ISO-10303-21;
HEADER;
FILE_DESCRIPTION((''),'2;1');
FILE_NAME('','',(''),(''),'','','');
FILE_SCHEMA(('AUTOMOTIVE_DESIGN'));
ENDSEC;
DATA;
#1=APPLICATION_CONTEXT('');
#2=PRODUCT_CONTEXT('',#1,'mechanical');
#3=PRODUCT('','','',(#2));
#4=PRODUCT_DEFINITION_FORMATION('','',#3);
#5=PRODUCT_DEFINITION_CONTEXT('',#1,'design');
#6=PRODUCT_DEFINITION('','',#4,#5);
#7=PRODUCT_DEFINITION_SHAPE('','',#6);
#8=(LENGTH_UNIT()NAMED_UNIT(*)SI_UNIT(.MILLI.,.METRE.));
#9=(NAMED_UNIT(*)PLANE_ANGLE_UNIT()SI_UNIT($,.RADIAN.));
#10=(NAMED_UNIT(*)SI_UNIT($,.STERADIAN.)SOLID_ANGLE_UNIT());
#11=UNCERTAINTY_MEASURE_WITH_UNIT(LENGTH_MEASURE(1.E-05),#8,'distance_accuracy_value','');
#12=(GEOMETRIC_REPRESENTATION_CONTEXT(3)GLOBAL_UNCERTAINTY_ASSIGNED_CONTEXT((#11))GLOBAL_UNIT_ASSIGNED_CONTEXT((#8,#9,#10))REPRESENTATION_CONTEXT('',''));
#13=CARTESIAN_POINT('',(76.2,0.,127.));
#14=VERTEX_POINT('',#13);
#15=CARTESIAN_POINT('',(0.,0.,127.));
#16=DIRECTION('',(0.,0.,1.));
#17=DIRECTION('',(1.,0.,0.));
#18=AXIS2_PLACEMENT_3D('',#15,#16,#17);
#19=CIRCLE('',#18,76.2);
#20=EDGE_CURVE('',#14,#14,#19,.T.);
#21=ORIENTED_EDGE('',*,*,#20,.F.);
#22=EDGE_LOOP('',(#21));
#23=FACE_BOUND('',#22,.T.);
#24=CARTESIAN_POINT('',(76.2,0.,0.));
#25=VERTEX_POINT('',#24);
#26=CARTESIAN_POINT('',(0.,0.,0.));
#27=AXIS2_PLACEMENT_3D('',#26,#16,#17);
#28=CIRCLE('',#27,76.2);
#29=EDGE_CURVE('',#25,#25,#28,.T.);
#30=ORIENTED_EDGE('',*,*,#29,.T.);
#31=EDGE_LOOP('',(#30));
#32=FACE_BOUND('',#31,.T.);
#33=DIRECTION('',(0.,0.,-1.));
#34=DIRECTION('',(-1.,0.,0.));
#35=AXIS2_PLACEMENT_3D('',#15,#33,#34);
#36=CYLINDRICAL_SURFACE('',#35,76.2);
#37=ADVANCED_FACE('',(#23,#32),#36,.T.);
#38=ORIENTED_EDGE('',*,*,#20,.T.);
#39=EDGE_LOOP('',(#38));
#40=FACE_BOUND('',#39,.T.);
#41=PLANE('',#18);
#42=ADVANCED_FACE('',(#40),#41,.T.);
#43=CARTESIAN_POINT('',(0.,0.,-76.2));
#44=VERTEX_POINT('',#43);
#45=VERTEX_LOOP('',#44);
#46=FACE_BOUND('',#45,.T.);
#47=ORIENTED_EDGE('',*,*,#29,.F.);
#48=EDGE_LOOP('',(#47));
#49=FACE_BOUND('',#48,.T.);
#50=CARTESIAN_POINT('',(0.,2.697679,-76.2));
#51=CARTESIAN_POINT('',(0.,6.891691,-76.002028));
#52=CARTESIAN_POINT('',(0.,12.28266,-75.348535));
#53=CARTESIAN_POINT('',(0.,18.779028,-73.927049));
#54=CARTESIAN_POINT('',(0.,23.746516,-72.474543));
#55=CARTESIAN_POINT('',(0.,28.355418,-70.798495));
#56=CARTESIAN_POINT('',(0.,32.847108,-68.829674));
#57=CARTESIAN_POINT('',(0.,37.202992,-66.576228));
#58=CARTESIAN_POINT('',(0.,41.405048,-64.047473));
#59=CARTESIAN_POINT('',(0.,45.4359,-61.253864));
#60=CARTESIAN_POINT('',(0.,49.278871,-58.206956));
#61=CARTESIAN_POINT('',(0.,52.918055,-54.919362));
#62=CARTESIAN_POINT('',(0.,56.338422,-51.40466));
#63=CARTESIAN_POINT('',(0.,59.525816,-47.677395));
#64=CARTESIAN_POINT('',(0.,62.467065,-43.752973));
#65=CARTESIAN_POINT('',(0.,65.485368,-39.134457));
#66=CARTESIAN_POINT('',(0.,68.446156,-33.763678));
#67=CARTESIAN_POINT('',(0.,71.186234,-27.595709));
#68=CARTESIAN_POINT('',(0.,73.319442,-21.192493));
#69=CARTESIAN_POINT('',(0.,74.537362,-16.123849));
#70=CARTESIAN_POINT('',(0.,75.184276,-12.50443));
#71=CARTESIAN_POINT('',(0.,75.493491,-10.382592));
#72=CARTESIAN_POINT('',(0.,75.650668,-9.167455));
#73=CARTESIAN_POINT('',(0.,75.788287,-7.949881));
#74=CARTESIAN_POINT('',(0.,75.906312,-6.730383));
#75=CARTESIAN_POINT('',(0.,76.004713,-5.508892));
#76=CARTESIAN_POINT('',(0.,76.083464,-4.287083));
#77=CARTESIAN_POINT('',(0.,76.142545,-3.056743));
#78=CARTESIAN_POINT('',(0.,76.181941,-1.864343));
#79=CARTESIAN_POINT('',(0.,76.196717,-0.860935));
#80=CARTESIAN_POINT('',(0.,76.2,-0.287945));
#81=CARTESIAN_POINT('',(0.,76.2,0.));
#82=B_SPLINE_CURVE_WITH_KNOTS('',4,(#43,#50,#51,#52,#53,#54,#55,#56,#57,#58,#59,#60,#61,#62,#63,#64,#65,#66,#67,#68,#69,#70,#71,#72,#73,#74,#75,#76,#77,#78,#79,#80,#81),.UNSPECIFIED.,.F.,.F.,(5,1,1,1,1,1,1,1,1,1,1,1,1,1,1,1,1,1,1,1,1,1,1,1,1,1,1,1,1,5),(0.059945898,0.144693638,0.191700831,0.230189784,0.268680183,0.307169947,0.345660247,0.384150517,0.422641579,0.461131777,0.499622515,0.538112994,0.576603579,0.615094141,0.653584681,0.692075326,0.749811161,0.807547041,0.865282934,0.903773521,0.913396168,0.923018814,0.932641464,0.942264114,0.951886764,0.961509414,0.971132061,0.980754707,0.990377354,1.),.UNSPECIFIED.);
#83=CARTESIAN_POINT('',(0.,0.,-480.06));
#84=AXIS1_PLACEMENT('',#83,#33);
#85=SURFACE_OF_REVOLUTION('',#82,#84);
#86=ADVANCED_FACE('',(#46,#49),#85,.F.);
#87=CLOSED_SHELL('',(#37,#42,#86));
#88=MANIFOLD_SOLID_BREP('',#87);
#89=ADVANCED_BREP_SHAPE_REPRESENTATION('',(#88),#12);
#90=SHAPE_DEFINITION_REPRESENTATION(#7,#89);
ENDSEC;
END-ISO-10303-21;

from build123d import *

# Parameters (mm, degrees)
SKETCH2_R           = 76.2
BOSS_EXTRUDE1_DEPTH = 127


with BuildPart() as part:
    # Sketch1 → Revolve1 (revolve)
    with BuildSketch(Plane(origin=(0, 0, 0), x_dir=(0, 0, -1), z_dir=(1, 0, 0))):
        with BuildLine():
            Line((0, 76.2), (0, 0))
            Line((0, 0), (76.2, 0))
            add(Edge.make_bspline(
                [(0, 76.2), (0.287944884, 76.2), (0.860935356, 76.196716581), (1.864342831, 76.181941173), (3.056742983, 76.142545193), (4.287082763, 76.083463947), (5.508891921, 76.004712705), (6.730383481, 75.906311819), (7.949881153, 75.788286725), (9.167455218, 75.650667955), (10.38259245, 75.493491096), (12.504429683, 75.184276063), (16.123848875, 74.537362387), (21.192492735, 73.319441888), (27.595708707, 71.186234114), (33.763677683, 68.446155539), (39.134457186, 65.485368022), (43.752972968, 62.467064928), (47.677395379, 59.525816294), (51.404659756, 56.338421916), (54.919362146, 52.918054668), (58.206955742, 49.278870811), (61.25386435, 45.435899511), (64.047473293, 41.405048095), (66.576228489, 37.202991876), (68.829674485, 32.847108438), (70.798494807, 28.355417823), (72.474543345, 23.746515844), (73.927049128, 18.77902819), (75.348535247, 12.282660226), (76.002027801, 6.89169127), (76.200000083, 2.697678666), (76.2, 0)],
                knots=[0.059945898, 0.059945898, 0.059945898, 0.059945898, 0.059945898, 0.069568544, 0.07919119, 0.088813837, 0.098436483, 0.108059133, 0.117681783, 0.127304433, 0.136927083, 0.14654973, 0.156172377, 0.194662964, 0.252398856, 0.310134737, 0.367870571, 0.406361217, 0.444851757, 0.483342319, 0.521832903, 0.560323383, 0.598814121, 0.637304319, 0.675795381, 0.714285651, 0.752775951, 0.791265715, 0.829756113, 0.868245067, 0.91525226, 1, 1, 1, 1, 1], degree=4))
        make_face()
    revolve(axis=Axis((0, 0, -480.06), (0, 0, 1)))

    # Sketch2 → Boss-Extrude1 (add)
    with BuildSketch(Plane.XY):
        Circle(SKETCH2_R)
    extrude(amount=BOSS_EXTRUDE1_DEPTH)


solid = part.part
